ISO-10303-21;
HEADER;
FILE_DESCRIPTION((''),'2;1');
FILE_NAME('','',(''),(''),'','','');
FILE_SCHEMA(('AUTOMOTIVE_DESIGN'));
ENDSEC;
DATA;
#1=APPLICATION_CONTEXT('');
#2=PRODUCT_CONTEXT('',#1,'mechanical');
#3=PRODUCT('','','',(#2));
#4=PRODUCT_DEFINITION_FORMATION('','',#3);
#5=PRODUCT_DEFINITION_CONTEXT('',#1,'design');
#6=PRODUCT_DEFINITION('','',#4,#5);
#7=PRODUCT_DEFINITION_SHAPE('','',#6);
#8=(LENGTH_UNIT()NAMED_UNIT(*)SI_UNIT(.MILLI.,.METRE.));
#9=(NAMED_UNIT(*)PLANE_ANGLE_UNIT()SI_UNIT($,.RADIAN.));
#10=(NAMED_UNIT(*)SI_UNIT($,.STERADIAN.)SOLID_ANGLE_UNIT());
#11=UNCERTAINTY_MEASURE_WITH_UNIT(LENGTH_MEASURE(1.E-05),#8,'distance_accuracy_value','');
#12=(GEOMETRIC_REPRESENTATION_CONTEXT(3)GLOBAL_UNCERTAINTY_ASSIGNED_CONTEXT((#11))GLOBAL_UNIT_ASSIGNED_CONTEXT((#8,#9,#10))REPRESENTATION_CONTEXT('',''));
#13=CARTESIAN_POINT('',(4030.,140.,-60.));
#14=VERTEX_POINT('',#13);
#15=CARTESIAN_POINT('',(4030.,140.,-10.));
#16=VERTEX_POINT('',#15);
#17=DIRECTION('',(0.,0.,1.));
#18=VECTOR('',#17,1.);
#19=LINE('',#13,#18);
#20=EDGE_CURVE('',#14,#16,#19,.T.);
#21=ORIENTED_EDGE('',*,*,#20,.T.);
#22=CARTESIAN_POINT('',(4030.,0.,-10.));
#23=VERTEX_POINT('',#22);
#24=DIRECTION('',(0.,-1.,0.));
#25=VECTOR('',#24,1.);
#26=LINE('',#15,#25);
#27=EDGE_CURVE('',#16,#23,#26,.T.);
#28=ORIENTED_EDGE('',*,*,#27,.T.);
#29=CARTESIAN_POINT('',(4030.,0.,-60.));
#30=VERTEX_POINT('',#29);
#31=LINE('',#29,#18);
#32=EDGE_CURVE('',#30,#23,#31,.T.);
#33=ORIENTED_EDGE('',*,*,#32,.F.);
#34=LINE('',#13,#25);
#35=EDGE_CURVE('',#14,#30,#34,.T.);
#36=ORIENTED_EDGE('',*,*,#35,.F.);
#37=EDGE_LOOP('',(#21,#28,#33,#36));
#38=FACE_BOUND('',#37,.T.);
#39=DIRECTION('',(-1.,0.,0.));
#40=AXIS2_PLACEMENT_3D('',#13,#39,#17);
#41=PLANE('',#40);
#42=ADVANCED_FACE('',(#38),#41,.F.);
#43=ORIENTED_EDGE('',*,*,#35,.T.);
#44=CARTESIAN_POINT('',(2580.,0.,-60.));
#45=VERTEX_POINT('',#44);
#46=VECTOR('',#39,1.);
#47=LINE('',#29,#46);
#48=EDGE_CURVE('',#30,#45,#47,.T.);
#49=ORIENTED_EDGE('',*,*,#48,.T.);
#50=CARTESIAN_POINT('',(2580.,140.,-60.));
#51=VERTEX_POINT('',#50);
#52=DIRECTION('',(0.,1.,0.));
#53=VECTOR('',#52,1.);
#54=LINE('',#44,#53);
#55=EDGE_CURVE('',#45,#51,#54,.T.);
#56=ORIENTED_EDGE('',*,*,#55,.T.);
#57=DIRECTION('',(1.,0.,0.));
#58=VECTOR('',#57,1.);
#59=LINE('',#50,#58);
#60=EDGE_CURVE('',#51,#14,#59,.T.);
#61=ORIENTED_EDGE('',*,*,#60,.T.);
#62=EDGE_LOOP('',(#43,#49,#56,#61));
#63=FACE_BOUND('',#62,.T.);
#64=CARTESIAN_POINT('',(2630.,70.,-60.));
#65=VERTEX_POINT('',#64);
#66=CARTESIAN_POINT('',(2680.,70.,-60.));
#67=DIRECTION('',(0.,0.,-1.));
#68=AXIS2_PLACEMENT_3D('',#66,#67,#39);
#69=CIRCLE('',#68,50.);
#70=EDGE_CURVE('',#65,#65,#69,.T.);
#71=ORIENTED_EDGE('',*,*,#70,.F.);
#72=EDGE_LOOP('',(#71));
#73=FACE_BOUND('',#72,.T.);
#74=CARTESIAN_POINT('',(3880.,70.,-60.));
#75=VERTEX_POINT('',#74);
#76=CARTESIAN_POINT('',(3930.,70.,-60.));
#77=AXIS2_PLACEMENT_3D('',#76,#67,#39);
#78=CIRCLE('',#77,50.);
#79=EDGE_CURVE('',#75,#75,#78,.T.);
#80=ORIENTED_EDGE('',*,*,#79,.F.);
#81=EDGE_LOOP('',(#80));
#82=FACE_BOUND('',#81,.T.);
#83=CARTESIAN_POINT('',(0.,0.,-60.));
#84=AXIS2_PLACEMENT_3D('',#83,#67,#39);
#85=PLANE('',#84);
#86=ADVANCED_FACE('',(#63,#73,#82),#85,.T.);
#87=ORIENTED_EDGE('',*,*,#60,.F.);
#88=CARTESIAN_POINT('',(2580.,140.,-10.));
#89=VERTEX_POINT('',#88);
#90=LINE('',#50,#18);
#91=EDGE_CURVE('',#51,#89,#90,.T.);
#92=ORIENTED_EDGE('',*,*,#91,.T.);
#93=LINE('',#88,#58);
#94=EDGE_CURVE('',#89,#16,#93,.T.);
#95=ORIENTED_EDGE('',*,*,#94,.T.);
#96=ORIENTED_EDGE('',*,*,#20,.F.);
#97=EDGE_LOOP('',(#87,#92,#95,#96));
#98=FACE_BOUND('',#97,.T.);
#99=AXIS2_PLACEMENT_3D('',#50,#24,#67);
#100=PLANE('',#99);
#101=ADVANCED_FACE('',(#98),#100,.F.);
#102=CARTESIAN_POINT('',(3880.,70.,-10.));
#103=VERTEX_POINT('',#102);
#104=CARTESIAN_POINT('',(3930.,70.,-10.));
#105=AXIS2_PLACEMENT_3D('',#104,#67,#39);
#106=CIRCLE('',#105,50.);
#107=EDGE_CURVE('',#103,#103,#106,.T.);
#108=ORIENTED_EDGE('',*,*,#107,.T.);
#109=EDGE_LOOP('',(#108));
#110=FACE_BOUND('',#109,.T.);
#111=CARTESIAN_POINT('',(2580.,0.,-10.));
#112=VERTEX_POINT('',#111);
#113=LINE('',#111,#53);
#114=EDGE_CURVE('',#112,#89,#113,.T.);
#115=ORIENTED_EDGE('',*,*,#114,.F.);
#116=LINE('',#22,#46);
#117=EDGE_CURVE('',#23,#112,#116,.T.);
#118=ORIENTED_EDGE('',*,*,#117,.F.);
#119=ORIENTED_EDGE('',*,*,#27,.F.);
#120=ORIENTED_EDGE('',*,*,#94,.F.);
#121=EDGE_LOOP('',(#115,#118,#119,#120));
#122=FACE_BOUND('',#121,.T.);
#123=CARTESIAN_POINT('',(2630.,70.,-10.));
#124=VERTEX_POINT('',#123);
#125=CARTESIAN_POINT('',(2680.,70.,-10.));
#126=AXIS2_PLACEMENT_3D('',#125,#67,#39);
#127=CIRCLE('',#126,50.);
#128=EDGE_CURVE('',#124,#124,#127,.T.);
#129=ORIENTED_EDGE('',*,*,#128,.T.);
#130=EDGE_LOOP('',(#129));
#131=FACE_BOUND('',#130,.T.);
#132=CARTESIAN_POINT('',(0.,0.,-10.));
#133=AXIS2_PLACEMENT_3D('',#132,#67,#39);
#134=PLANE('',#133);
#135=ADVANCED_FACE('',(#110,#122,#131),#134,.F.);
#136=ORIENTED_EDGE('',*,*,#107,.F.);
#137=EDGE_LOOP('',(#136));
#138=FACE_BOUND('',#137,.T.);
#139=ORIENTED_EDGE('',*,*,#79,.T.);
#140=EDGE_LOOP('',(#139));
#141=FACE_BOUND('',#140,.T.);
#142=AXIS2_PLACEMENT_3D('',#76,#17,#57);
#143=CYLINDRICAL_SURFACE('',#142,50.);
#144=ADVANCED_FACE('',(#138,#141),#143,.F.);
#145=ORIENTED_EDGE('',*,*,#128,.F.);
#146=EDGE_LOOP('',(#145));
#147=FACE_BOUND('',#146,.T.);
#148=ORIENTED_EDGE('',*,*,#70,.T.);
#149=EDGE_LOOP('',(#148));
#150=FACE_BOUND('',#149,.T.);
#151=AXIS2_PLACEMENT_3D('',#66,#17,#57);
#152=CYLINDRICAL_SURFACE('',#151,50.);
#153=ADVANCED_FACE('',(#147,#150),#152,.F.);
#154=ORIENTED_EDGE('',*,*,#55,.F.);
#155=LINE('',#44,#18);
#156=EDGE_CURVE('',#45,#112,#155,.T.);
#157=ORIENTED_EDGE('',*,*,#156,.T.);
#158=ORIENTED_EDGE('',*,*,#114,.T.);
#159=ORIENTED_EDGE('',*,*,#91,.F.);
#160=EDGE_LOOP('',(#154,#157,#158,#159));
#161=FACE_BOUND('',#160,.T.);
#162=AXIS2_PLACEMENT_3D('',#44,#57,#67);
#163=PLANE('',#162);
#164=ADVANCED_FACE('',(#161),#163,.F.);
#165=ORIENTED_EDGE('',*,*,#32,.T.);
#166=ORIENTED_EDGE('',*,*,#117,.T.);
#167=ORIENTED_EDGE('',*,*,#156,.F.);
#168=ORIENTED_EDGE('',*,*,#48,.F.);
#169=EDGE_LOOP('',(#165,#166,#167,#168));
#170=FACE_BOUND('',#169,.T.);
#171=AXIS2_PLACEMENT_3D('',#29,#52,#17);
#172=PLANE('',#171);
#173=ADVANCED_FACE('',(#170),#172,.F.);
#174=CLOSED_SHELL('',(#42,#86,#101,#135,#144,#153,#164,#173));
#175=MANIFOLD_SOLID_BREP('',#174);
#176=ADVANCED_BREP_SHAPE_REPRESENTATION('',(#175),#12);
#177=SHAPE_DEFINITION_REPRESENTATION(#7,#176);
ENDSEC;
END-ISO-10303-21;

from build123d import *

# Parameters (mm, degrees)
SKETCH1_W           = 3930
SKETCH1_H           = 140
BOSS_EXTRUDE1_DEPTH = 50
SKETCH2_R           = 50
CUT_EXTRUDE1_DEPTH  = 50
SKETCH3_W           = 100
SKETCH3_H           = 140
BOSS_EXTRUDE2_DEPTH = 50
SKETCH4_R           = 50
CUT_EXTRUDE2_DEPTH  = 51
SKETCH5_W           = 1450
SKETCH5_H           = 140
SKETCH5_R           = 50
BOSS_EXTRUDE3_DEPTH = 50
SKETCH6_W           = 4130
SKETCH6_H           = 140
CUT_EXTRUDE3_DEPTH  = 50


with BuildPart() as part:
    # Sketch1 → Boss-Extrude1 (new body)
    with BuildSketch(Plane.XY):
        with Locations((1965, 70)):
            Rectangle(SKETCH1_W, SKETCH1_H)
    extrude(amount=BOSS_EXTRUDE1_DEPTH)

    # Sketch2 → Cut-Extrude1 (cut)
    with BuildSketch(Plane.XY.offset(50)):
        with Locations((3930, 70)):
            Circle(SKETCH2_R)
        with Locations((0, 70)):
            Circle(SKETCH2_R)
    extrude(amount=-CUT_EXTRUDE1_DEPTH, mode=Mode.SUBTRACT)

    # Sketch3 → Boss-Extrude2 (add, through all)
    with BuildSketch(Plane(origin=(0, 0, 0), x_dir=(-1, 0, 0), z_dir=(0, 0, -1))):
        with Locations((-3980, 70)):
            Rectangle(SKETCH3_W, SKETCH3_H)
        with Locations((50, 70)):
            Rectangle(SKETCH3_W, SKETCH3_H)
    extrude(amount=-BOSS_EXTRUDE2_DEPTH)

    # Sketch4 → Cut-Extrude2 (cut, through all)
    with BuildSketch(Plane(origin=(0, 0, 0), x_dir=(-1, 0, 0), z_dir=(0, 0, -1))):
        with Locations((0, 70)):
            Circle(SKETCH4_R)
        with Locations((-3930, 70)):
            Circle(SKETCH4_R)
    extrude(amount=-CUT_EXTRUDE2_DEPTH, mode=Mode.SUBTRACT)

    # Sketch6 → Cut-Extrude3 (cut)
    with BuildSketch(Plane.XY.offset(50)):
        with Locations((1965, 70)):
            Rectangle(SKETCH6_W, SKETCH6_H)
    extrude(amount=-CUT_EXTRUDE3_DEPTH, mode=Mode.SUBTRACT)


with BuildPart() as body_2:
    # Sketch5 → Boss-Extrude3 (new body)
    with BuildSketch(Plane(origin=(0, 0, -10), x_dir=(-1, 0, 0), z_dir=(0, 0, -1))):
        with Locations((-3305, 70)):
            Rectangle(SKETCH5_W, SKETCH5_H)
        with Locations((-3930, 70)):
            Circle(SKETCH5_R, mode=Mode.SUBTRACT)
        with Locations((-2680, 70)):
            Circle(SKETCH5_R, mode=Mode.SUBTRACT)
    extrude(amount=BOSS_EXTRUDE3_DEPTH)


solid = body_2.part
